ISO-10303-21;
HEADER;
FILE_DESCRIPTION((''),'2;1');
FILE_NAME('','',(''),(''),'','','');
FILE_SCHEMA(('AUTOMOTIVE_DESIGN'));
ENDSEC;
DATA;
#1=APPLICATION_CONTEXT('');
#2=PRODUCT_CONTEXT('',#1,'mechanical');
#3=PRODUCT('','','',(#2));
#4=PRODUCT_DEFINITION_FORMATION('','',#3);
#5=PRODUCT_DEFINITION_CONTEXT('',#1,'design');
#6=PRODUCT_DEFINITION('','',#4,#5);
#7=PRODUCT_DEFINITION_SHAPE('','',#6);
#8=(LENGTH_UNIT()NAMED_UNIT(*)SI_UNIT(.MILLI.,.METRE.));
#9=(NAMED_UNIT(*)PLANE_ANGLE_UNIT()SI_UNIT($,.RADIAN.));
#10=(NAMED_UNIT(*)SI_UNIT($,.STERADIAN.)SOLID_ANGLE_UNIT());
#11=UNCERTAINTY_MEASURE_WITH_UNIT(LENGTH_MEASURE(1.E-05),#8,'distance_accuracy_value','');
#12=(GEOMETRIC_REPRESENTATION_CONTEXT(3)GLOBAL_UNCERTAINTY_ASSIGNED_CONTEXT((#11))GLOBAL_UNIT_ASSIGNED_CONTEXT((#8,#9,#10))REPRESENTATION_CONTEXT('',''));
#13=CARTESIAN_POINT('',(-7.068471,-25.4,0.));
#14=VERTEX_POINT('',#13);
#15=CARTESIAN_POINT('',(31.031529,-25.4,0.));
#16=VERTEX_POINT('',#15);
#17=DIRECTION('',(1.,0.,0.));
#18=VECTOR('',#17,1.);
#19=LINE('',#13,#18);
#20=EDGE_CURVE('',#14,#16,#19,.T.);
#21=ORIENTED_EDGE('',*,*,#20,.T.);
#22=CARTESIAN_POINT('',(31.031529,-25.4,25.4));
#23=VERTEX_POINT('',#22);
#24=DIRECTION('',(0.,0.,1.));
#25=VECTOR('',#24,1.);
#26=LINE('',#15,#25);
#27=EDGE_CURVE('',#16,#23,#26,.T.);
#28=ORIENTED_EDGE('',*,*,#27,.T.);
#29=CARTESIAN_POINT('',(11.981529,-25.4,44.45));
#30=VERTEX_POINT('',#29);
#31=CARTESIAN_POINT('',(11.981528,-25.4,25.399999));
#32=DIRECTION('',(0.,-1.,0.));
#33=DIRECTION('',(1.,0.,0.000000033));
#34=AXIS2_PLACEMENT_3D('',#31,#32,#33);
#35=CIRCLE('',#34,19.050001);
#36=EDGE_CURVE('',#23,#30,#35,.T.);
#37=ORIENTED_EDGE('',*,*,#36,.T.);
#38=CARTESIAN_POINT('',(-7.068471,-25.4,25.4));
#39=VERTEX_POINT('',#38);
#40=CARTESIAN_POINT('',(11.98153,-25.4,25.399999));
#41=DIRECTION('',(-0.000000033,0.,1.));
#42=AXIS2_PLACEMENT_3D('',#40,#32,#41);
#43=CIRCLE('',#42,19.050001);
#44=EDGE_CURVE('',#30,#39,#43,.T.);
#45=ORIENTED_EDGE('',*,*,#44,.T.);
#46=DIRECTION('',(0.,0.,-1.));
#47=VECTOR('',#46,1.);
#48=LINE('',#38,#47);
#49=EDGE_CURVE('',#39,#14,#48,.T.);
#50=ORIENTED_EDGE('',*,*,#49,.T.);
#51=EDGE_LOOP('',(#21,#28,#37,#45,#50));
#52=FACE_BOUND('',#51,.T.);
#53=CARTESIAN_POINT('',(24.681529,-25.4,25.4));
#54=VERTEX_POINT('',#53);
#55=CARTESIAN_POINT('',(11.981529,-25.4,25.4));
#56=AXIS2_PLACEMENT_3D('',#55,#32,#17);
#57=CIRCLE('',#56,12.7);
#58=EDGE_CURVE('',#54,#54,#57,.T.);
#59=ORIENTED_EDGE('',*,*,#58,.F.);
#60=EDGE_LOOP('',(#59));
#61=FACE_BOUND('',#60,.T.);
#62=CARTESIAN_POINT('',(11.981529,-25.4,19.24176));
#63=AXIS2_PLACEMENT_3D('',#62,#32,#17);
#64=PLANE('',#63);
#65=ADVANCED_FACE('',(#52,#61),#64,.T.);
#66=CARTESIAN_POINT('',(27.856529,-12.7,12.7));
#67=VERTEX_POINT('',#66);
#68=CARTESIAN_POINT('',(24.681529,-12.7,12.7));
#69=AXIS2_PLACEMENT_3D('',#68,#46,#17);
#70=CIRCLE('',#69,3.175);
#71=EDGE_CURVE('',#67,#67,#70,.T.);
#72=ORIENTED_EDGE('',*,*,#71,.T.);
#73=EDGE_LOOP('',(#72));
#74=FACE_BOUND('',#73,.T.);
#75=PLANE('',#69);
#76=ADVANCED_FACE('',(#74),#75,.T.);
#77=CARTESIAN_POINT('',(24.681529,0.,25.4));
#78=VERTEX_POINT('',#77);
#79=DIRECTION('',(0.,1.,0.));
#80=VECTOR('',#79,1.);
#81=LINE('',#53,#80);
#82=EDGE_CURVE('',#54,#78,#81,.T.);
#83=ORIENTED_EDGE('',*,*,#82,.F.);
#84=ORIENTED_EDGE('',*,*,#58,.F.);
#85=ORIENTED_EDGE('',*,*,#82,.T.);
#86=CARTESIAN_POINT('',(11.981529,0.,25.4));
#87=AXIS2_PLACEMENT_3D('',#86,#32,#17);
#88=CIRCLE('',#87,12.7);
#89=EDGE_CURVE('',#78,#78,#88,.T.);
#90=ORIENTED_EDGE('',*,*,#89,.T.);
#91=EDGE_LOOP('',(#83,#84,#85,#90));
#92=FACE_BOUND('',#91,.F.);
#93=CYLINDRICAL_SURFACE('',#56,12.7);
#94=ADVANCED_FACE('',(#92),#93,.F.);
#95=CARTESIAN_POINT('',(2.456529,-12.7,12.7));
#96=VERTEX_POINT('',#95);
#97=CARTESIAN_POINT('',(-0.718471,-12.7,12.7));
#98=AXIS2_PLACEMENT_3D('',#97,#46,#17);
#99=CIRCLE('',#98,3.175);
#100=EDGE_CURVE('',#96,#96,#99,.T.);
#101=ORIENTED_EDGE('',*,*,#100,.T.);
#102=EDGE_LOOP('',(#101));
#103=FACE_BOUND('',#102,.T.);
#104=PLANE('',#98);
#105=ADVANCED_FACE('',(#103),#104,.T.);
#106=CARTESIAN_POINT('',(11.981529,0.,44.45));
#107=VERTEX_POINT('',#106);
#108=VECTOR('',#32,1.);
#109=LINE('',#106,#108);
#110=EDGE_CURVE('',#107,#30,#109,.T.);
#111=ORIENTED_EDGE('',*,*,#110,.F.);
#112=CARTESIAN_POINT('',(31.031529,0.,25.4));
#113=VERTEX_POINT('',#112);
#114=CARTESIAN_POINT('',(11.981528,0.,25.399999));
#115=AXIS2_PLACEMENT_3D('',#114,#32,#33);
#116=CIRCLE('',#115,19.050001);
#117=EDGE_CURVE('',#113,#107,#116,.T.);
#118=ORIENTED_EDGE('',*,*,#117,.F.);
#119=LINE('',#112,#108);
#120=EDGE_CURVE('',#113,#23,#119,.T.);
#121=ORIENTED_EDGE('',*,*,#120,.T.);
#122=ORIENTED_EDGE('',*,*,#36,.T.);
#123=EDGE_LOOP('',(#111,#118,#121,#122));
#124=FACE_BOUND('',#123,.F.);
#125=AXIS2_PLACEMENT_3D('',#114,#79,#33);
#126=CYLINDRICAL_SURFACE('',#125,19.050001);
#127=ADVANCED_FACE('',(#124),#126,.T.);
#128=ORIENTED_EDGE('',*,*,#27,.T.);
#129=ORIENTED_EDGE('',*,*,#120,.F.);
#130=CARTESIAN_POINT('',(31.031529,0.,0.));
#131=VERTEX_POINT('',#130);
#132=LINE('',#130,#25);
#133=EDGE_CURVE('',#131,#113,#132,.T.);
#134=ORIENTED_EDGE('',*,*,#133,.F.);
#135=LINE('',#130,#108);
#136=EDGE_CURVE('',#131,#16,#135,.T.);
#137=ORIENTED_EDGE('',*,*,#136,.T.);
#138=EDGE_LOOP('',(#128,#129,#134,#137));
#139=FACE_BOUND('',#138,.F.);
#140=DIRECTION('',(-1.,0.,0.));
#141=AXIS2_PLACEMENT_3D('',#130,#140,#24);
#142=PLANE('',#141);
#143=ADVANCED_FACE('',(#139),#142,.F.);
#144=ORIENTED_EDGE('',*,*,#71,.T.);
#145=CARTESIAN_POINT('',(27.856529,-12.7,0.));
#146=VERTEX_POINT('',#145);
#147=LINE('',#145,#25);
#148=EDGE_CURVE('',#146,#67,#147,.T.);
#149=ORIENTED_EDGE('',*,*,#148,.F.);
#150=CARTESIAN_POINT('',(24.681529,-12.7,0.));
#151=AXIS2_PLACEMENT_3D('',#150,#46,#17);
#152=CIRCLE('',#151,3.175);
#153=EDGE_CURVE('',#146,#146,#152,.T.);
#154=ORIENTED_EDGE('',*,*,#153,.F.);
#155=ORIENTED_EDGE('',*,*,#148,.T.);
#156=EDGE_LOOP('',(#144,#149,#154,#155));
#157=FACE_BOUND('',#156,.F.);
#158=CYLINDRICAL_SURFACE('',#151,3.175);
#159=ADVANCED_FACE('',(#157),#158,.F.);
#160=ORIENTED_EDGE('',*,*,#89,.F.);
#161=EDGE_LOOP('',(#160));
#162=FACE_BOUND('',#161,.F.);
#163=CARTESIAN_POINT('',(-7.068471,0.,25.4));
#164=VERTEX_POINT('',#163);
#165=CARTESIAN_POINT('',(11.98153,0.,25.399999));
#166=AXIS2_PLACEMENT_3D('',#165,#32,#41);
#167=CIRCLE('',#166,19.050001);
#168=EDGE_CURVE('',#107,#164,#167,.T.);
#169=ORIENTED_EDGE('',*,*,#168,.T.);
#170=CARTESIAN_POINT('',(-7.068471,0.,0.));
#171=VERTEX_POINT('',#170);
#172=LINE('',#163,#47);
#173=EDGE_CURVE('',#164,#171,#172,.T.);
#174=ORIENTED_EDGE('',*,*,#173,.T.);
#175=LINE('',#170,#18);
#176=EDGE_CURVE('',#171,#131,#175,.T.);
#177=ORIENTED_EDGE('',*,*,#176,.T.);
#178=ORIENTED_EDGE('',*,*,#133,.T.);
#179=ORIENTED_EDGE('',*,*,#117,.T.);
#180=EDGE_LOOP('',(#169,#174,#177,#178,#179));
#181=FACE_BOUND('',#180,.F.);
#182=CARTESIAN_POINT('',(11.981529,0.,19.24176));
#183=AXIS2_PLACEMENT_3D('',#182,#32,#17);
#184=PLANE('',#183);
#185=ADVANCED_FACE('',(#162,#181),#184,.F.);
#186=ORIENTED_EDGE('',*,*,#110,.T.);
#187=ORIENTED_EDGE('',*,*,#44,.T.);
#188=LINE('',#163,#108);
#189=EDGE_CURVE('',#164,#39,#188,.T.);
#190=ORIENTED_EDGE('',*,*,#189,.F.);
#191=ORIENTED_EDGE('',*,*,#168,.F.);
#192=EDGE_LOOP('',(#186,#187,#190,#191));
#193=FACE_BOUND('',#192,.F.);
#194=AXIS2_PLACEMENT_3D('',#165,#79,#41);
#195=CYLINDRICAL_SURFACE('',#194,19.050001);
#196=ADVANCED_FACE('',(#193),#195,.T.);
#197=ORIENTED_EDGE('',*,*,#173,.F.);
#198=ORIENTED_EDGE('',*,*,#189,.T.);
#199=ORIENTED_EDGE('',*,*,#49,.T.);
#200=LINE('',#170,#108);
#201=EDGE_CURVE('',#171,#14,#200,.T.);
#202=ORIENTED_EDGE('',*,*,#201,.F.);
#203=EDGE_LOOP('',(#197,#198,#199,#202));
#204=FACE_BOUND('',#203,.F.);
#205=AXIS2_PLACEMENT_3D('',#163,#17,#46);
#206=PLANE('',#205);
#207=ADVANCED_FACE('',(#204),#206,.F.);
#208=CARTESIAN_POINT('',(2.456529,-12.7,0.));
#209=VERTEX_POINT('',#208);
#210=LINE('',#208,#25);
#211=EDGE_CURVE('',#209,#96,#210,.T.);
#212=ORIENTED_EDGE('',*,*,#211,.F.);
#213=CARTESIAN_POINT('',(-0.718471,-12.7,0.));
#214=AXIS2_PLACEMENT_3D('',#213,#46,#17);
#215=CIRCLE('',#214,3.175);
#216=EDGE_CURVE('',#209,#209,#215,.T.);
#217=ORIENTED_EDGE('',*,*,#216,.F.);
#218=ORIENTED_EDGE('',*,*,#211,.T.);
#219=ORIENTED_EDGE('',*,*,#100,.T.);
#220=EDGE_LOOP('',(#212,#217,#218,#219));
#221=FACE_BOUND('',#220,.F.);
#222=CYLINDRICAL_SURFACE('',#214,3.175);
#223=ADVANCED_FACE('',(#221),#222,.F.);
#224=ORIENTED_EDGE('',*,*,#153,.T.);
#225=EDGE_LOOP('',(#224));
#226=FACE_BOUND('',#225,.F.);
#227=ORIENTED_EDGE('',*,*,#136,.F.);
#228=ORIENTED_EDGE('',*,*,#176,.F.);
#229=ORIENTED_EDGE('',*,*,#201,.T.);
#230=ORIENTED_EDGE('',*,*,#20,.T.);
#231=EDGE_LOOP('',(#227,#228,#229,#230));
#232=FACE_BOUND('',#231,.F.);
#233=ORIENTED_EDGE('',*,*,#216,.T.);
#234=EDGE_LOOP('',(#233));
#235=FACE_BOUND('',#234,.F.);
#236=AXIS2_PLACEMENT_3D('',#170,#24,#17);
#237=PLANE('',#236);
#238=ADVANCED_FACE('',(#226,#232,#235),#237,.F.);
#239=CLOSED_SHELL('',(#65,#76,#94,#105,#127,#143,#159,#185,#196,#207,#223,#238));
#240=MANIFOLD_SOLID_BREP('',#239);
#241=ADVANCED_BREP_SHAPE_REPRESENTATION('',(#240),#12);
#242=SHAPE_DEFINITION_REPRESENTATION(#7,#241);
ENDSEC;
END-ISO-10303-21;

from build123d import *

# Parameters (mm, degrees)
F1_DEPTH = 25.4
F2_R     = 12.7
F3_DEPTH = 61.57864
F4_R     = 3.175
F5_DEPTH = 12.7


with BuildPart() as f1:
    # F0 (on Front) → F1 (new body)
    with BuildSketch(Plane.XZ):
        with BuildLine():
            Line((-7.068471, 25.4), (-7.068471, 0))
            Line((-7.068471, 0), (31.031529, 0))
            Line((31.031529, 0), (31.031529, 25.4))
            ThreePointArc((31.031529, 25.4), (25.451913, 38.870384), (11.981529, 44.45))
            ThreePointArc((11.981529, 44.45), (-1.488855, 38.870384), (-7.068471, 25.4))
        make_face()
    extrude(amount=F1_DEPTH)

    # F2 (on face) → F3 (cut)
    with BuildSketch(Plane.XZ.offset(25.4)):
        with Locations((11.981529, 25.4)):
            Circle(F2_R)
    extrude(amount=-F3_DEPTH, mode=Mode.SUBTRACT)

    # F4 (on face) → F5 (cut)
    with BuildSketch(Plane(origin=(0, 0, 0), x_dir=(1, 0, 0), z_dir=(0, 0, -1))):
        with Locations((-0.718471, 12.7)):
            Circle(F4_R)
        with Locations((24.681529, 12.7)):
            Circle(F4_R)
    extrude(amount=-F5_DEPTH, mode=Mode.SUBTRACT)


solid = f1.part
